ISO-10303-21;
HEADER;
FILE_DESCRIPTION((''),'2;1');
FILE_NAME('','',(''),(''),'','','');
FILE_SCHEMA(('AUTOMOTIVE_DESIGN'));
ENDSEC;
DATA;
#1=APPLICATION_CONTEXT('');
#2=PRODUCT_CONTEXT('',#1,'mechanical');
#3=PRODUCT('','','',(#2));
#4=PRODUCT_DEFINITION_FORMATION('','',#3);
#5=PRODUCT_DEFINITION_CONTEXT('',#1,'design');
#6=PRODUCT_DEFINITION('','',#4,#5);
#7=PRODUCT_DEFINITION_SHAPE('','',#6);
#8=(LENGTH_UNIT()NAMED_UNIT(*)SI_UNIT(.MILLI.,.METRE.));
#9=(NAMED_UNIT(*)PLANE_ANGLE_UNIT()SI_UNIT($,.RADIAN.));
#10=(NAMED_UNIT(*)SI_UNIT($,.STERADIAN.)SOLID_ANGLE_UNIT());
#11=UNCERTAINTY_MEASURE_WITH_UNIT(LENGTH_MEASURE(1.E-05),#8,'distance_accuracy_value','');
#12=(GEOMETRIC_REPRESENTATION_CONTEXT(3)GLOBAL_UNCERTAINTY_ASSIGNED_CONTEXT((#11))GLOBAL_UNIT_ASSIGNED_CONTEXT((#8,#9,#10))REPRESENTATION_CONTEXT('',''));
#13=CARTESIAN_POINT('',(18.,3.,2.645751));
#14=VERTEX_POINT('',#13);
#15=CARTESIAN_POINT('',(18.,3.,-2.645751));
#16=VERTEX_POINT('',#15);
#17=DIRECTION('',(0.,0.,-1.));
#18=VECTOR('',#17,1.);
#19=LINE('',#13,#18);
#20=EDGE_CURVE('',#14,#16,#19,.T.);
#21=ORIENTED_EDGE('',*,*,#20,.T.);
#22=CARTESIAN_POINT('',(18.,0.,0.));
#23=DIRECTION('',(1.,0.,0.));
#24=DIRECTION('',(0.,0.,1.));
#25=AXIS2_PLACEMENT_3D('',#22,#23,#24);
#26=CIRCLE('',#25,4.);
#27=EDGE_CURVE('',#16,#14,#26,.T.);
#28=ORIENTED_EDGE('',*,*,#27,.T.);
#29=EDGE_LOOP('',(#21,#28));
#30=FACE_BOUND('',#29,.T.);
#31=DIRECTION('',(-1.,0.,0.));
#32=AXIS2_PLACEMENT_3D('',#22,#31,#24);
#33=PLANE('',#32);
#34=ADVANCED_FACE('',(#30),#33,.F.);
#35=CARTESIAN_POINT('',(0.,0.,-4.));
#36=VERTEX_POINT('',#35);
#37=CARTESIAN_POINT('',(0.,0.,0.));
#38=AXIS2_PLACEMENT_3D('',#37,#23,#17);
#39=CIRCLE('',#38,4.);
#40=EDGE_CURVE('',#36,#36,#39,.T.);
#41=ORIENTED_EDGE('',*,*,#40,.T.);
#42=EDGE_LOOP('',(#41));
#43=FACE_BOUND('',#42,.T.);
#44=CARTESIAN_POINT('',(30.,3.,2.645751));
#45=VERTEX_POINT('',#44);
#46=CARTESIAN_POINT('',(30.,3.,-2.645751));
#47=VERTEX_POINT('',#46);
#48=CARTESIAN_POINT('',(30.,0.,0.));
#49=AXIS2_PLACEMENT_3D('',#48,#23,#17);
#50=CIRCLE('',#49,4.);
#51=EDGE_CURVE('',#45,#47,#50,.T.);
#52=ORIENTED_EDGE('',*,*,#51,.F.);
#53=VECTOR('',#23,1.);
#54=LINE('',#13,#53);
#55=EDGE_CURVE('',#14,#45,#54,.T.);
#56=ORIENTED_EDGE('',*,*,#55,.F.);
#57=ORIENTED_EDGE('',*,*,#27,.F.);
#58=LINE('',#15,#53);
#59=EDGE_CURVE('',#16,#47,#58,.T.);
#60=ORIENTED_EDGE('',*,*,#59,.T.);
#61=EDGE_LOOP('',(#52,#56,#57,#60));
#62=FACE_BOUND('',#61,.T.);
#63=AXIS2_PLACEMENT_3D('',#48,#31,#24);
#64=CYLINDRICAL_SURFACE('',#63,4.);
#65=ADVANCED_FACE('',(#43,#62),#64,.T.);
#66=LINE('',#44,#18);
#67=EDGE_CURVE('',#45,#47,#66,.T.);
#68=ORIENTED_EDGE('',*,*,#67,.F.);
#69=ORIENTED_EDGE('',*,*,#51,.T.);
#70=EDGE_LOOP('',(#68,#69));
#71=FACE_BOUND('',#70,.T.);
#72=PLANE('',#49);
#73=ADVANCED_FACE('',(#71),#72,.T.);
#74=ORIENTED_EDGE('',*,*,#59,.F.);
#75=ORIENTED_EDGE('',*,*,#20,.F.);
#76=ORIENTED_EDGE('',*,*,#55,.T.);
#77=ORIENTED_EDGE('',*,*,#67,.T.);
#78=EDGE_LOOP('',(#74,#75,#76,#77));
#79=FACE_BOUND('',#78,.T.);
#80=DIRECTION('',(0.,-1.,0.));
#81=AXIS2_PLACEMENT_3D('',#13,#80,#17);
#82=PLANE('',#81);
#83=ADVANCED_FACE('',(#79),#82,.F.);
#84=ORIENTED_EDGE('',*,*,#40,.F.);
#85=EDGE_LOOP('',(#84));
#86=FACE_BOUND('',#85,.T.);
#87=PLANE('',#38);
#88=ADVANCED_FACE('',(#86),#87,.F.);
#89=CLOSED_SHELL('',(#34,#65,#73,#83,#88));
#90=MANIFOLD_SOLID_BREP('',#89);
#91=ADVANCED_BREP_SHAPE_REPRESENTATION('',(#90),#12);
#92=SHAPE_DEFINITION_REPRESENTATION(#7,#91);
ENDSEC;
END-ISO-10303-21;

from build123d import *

# Parameters (mm, degrees)
SKETCH1_R           = 4
BOSS_EXTRUDE1_DEPTH = 30
CUT_EXTRUDE1_START  = -12
CUT_EXTRUDE1_DEPTH  = 12


with BuildPart() as part:
    # Sketch1 → Boss-Extrude1 (new body)
    with BuildSketch(Plane(origin=(0, 0, 0), x_dir=(0, 0, -1), z_dir=(1, 0, 0))):
        Circle(SKETCH1_R)
    extrude(amount=BOSS_EXTRUDE1_DEPTH)

    # Sketch2 → Cut-Extrude1 (cut)
    with BuildSketch(Plane(origin=(30, 0, 0), x_dir=(0, 0, -1), z_dir=(1, 0, 0)).offset(CUT_EXTRUDE1_START)):
        with BuildLine():
            Line((-2.645751311, 3), (2.645751311, 3))
            ThreePointArc((2.645751311, 3), (0, 4), (-2.645751311, 3))
        make_face()
    extrude(amount=CUT_EXTRUDE1_DEPTH, mode=Mode.SUBTRACT)


solid = part.part
